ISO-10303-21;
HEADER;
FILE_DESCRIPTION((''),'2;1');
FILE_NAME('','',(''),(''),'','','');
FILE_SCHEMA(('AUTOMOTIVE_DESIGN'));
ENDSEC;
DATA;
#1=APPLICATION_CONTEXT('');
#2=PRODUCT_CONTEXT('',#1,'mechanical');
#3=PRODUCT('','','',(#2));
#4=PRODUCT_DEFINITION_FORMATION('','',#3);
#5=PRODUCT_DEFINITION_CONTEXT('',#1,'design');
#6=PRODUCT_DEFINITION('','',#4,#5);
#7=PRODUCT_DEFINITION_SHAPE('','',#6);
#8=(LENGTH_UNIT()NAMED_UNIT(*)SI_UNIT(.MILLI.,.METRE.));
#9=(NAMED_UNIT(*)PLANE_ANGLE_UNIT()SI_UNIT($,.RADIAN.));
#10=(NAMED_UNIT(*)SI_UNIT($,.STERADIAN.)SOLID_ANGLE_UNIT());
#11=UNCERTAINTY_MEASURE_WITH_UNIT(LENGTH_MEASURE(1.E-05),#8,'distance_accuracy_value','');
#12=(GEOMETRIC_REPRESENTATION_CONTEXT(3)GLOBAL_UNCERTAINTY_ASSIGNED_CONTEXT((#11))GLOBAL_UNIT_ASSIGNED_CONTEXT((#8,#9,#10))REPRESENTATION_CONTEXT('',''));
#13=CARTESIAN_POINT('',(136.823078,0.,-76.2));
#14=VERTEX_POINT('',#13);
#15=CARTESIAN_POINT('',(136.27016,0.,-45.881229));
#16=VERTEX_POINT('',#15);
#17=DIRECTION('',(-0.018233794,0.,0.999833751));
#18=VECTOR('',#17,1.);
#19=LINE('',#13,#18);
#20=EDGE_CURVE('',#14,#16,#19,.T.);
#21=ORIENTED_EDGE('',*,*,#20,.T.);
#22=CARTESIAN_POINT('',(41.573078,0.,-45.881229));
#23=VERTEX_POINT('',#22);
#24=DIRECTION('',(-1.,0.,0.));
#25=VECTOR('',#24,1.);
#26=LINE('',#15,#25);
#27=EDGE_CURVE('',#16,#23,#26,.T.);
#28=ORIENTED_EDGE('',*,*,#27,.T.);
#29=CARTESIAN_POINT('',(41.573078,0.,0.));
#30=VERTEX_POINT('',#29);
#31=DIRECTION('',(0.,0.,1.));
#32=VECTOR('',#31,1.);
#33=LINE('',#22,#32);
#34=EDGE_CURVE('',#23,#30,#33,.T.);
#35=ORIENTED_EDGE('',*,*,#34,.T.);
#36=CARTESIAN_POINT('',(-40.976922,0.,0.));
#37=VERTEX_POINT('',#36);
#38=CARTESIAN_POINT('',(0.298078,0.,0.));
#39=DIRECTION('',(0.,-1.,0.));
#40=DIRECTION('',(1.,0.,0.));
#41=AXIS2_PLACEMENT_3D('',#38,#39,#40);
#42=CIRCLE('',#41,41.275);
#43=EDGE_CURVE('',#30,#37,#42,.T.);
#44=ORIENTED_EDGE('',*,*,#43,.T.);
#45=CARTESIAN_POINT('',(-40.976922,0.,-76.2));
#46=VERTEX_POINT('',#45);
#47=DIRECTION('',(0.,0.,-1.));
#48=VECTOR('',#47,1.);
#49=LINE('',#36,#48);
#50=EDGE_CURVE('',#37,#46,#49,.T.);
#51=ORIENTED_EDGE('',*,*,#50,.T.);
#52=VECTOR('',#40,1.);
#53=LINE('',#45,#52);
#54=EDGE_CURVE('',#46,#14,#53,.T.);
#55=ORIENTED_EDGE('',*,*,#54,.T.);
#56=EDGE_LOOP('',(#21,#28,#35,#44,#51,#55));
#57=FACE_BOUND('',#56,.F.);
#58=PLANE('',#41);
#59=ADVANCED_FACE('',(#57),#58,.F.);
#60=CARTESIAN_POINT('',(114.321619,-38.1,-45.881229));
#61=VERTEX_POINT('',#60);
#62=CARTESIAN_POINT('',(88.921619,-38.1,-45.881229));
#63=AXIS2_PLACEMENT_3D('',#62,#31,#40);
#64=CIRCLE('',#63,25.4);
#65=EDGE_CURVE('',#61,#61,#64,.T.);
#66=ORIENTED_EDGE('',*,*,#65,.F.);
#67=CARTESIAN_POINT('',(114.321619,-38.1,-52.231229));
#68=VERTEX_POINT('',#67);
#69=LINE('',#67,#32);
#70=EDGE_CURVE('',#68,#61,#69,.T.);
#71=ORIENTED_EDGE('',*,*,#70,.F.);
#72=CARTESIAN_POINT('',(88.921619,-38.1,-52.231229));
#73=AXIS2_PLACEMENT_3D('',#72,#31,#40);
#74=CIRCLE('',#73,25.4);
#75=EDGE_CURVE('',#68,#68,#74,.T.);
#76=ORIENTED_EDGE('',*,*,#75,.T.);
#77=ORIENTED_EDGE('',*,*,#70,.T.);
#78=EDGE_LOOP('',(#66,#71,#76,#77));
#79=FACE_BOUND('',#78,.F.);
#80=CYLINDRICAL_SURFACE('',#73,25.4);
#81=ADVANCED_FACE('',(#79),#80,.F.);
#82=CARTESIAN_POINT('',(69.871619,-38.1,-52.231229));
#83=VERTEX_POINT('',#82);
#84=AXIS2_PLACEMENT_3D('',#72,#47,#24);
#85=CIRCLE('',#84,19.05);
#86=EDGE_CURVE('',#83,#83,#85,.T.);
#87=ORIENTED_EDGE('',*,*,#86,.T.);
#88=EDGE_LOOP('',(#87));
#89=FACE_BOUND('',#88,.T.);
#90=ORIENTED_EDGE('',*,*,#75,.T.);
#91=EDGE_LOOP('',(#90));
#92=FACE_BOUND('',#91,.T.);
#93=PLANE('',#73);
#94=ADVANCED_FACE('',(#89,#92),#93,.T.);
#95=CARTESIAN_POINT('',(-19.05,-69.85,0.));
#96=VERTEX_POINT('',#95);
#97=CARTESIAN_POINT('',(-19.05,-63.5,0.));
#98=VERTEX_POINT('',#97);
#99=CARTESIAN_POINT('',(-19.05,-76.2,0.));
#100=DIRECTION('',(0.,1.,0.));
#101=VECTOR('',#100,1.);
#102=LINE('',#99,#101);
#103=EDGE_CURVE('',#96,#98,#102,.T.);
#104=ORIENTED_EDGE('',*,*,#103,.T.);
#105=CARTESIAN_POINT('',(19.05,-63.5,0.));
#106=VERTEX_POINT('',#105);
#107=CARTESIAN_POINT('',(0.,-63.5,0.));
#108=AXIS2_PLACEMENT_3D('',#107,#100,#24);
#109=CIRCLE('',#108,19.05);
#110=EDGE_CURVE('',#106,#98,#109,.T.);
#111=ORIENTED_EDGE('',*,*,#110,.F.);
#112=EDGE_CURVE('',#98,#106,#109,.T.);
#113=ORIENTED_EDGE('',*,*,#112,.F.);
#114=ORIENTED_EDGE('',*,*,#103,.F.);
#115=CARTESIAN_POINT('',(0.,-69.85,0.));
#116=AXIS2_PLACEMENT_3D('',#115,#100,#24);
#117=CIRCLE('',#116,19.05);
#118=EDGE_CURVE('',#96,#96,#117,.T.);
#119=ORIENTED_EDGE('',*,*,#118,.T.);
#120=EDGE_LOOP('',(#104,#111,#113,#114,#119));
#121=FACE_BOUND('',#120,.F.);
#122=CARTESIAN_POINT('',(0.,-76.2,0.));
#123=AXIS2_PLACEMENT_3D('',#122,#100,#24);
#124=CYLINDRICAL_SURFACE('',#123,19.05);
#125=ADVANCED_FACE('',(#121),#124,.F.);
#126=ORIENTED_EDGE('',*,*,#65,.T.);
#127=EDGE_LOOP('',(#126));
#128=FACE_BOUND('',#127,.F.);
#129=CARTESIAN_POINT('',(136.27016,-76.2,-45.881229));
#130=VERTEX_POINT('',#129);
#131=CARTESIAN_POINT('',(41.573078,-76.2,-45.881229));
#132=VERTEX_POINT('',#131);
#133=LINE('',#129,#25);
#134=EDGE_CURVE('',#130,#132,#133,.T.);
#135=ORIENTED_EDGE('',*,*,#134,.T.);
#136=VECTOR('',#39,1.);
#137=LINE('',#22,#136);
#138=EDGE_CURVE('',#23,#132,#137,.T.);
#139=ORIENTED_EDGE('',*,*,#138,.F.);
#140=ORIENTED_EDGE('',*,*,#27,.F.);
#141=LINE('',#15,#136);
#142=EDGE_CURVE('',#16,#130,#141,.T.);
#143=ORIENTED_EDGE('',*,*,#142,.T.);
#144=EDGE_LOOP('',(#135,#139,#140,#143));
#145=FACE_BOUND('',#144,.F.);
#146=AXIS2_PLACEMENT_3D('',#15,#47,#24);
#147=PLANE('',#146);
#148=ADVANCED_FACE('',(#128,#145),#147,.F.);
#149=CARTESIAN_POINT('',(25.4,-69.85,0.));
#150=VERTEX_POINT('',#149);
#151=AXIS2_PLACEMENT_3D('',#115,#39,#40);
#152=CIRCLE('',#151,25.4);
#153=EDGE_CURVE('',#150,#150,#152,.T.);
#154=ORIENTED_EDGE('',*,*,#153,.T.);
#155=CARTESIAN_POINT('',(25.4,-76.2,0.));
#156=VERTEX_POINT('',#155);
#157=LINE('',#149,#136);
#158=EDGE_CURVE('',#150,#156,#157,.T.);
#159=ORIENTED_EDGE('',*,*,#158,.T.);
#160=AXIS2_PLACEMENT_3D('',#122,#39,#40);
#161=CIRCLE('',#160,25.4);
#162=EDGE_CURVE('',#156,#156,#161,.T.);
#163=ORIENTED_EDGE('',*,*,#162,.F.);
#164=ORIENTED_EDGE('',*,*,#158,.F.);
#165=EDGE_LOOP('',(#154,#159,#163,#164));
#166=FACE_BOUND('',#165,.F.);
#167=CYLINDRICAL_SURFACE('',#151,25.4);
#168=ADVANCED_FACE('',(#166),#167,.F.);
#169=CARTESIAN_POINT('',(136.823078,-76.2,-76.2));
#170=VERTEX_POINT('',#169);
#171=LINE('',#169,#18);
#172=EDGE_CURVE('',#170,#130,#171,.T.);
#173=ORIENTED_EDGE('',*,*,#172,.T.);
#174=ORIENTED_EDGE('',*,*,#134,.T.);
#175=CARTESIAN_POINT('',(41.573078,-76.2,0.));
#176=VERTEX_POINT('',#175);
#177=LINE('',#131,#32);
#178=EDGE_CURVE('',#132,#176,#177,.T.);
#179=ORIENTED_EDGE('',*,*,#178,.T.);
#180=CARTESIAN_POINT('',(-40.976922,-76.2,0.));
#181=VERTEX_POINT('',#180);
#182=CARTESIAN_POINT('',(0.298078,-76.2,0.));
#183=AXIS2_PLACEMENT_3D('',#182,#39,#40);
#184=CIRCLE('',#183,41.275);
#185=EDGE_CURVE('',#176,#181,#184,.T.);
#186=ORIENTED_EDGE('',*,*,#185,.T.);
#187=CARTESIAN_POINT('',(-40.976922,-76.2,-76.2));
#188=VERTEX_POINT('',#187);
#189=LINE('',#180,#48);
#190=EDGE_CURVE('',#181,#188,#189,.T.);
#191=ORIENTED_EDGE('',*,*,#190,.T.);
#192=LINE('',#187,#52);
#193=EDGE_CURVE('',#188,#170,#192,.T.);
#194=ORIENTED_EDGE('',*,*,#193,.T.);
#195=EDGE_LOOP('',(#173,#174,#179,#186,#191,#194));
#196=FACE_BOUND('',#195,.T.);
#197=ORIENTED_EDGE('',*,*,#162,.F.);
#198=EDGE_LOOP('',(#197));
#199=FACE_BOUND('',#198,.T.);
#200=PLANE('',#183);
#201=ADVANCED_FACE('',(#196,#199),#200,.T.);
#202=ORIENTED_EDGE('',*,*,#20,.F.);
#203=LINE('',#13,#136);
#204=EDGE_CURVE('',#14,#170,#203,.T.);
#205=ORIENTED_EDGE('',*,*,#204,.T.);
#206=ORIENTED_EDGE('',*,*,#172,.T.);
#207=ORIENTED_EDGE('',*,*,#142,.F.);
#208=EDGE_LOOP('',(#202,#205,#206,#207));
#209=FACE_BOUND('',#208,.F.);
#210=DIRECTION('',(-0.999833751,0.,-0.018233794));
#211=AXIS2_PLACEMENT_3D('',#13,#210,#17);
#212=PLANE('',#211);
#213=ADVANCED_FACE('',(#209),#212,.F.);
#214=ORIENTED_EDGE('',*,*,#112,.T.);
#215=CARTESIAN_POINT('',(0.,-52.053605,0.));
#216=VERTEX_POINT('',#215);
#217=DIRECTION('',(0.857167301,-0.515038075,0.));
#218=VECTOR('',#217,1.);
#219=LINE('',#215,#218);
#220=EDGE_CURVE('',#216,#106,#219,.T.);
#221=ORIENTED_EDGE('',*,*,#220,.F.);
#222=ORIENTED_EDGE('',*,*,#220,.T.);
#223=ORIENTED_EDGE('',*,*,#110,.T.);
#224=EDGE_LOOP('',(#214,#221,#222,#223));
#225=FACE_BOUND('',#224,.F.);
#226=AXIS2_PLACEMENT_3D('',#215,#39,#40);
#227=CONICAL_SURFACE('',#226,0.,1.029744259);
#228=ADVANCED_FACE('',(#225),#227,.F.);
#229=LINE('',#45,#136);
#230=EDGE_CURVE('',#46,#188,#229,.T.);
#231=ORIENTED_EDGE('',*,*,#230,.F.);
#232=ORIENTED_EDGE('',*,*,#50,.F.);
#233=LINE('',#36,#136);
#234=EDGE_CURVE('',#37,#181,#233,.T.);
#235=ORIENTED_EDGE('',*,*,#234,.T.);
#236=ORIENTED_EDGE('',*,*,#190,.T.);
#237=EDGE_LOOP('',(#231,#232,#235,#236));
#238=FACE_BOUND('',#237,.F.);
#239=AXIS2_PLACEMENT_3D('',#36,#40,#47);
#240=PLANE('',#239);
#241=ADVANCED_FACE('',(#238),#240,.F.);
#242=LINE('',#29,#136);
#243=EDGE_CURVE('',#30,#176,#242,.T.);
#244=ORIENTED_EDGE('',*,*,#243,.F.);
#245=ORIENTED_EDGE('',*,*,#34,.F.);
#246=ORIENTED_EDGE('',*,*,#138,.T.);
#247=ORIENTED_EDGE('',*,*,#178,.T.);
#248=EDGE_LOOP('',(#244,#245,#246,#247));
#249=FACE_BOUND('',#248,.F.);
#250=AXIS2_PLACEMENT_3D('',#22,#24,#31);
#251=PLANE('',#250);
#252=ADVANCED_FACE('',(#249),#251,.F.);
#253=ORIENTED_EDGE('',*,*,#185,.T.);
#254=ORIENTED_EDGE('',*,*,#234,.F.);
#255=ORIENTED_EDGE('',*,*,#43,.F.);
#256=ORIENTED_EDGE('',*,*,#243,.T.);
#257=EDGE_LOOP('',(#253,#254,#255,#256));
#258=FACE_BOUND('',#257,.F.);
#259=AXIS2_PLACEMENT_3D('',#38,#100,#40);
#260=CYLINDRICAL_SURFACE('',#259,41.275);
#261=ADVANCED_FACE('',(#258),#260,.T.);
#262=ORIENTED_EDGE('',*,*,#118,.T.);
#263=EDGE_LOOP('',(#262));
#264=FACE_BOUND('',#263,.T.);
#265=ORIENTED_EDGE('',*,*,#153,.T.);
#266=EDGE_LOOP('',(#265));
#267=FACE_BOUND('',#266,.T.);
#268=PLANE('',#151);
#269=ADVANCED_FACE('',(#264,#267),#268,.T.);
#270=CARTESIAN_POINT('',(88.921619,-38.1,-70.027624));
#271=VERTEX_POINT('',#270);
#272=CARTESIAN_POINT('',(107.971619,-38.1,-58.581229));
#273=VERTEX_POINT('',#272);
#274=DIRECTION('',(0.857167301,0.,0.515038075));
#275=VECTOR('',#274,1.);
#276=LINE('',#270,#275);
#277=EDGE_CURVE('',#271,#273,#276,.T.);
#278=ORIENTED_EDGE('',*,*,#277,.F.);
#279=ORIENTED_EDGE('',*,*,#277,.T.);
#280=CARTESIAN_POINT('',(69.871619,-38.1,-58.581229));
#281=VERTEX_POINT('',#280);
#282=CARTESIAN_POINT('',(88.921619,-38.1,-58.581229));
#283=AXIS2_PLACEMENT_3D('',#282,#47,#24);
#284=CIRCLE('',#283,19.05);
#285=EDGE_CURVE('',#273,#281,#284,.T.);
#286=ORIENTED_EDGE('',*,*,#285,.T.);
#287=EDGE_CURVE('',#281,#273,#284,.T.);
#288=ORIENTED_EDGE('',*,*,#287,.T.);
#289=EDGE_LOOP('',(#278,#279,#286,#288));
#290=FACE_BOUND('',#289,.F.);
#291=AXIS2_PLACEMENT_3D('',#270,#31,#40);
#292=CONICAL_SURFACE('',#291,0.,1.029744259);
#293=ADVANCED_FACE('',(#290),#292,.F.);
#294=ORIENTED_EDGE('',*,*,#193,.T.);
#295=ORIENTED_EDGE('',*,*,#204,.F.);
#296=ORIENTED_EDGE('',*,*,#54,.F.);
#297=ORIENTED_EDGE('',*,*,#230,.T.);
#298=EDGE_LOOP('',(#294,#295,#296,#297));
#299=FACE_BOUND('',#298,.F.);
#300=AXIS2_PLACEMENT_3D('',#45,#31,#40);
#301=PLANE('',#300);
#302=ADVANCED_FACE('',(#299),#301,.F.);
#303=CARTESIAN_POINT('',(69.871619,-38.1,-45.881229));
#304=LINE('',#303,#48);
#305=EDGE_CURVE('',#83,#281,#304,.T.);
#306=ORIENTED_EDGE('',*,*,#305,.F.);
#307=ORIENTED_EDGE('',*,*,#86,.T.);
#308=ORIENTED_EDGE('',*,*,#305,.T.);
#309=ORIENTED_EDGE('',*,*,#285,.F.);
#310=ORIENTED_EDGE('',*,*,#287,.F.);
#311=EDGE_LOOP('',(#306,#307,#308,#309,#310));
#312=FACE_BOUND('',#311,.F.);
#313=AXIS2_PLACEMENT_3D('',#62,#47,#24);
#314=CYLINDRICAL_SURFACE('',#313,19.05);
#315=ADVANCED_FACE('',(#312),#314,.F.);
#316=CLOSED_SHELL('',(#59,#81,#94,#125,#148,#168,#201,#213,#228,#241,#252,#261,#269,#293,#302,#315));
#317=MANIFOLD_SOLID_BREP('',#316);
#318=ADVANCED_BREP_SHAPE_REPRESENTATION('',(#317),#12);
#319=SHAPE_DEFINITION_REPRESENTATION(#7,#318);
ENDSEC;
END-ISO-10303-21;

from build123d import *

# Parameters (mm, degrees)
F0_R           = 19.05
F1_DEPTH       = 76.2
F3_D           = 38.1
F3_DEPTH       = 12.7
F3_CBORE_D     = 50.8
F3_CBORE_DEPTH = 6.35
F3_TIP         = 11.4463947925
F5_D           = 38.1
F5_DEPTH       = 12.7
F5_CBORE_D     = 50.8
F5_CBORE_DEPTH = 6.35
F5_TIP         = 11.4463947925


with BuildPart() as f1:
    # F0 (on Front) → F1 (new body)
    with BuildSketch(Plane.XZ):
        with BuildLine():
            ThreePointArc((-40.9769218572, 0), (0.2980781428, -41.275), (41.5730781428, 0))
            ThreePointArc((41.5730781428, 0), (0.2980781428, 41.275), (-40.9769218572, 0))
        make_face()
        with Locations((0.2980781428, 0)):
            Circle(F0_R, mode=Mode.SUBTRACT)
        with BuildLine():
            Line((41.5730781428, -45.8812290595), (41.5730781428, 0))
            ThreePointArc((41.5730781428, 0), (0.2980781428, -41.275), (-40.9769218572, 0))
            Line((-40.9769218572, 0), (-40.9769218572, -76.2))
            Line((-40.9769218572, -76.2), (136.8230781428, -76.2))
            Line((136.8230781428, -76.2), (136.2701599936, -45.8812290595))
            Line((136.2701599936, -45.8812290595), (41.5730781428, -45.8812290595))
        make_face()
        with Locations((0.2980781428, 0)):
            Circle(F0_R)
    extrude(amount=F1_DEPTH)

    # F3
    with Locations(Plane.XZ.offset(76.2)):
        with Locations((0, 0)):
            CounterBoreHole(F3_D / 2, F3_CBORE_D / 2, F3_CBORE_DEPTH, depth=F3_DEPTH)
            with Locations((0, 0, -(F3_DEPTH + F3_TIP / 2))):  # 118° drill point
                Cone(0, F3_D / 2, F3_TIP, mode=Mode.SUBTRACT)

    # F5
    with Locations(Plane.XY.offset(-45.8812290595)):
        with Locations((88.9216190682, -38.1)):
            CounterBoreHole(F5_D / 2, F5_CBORE_D / 2, F5_CBORE_DEPTH, depth=F5_DEPTH)
            with Locations((0, 0, -(F5_DEPTH + F5_TIP / 2))):  # 118° drill point
                Cone(0, F5_D / 2, F5_TIP, mode=Mode.SUBTRACT)


solid = f1.part
